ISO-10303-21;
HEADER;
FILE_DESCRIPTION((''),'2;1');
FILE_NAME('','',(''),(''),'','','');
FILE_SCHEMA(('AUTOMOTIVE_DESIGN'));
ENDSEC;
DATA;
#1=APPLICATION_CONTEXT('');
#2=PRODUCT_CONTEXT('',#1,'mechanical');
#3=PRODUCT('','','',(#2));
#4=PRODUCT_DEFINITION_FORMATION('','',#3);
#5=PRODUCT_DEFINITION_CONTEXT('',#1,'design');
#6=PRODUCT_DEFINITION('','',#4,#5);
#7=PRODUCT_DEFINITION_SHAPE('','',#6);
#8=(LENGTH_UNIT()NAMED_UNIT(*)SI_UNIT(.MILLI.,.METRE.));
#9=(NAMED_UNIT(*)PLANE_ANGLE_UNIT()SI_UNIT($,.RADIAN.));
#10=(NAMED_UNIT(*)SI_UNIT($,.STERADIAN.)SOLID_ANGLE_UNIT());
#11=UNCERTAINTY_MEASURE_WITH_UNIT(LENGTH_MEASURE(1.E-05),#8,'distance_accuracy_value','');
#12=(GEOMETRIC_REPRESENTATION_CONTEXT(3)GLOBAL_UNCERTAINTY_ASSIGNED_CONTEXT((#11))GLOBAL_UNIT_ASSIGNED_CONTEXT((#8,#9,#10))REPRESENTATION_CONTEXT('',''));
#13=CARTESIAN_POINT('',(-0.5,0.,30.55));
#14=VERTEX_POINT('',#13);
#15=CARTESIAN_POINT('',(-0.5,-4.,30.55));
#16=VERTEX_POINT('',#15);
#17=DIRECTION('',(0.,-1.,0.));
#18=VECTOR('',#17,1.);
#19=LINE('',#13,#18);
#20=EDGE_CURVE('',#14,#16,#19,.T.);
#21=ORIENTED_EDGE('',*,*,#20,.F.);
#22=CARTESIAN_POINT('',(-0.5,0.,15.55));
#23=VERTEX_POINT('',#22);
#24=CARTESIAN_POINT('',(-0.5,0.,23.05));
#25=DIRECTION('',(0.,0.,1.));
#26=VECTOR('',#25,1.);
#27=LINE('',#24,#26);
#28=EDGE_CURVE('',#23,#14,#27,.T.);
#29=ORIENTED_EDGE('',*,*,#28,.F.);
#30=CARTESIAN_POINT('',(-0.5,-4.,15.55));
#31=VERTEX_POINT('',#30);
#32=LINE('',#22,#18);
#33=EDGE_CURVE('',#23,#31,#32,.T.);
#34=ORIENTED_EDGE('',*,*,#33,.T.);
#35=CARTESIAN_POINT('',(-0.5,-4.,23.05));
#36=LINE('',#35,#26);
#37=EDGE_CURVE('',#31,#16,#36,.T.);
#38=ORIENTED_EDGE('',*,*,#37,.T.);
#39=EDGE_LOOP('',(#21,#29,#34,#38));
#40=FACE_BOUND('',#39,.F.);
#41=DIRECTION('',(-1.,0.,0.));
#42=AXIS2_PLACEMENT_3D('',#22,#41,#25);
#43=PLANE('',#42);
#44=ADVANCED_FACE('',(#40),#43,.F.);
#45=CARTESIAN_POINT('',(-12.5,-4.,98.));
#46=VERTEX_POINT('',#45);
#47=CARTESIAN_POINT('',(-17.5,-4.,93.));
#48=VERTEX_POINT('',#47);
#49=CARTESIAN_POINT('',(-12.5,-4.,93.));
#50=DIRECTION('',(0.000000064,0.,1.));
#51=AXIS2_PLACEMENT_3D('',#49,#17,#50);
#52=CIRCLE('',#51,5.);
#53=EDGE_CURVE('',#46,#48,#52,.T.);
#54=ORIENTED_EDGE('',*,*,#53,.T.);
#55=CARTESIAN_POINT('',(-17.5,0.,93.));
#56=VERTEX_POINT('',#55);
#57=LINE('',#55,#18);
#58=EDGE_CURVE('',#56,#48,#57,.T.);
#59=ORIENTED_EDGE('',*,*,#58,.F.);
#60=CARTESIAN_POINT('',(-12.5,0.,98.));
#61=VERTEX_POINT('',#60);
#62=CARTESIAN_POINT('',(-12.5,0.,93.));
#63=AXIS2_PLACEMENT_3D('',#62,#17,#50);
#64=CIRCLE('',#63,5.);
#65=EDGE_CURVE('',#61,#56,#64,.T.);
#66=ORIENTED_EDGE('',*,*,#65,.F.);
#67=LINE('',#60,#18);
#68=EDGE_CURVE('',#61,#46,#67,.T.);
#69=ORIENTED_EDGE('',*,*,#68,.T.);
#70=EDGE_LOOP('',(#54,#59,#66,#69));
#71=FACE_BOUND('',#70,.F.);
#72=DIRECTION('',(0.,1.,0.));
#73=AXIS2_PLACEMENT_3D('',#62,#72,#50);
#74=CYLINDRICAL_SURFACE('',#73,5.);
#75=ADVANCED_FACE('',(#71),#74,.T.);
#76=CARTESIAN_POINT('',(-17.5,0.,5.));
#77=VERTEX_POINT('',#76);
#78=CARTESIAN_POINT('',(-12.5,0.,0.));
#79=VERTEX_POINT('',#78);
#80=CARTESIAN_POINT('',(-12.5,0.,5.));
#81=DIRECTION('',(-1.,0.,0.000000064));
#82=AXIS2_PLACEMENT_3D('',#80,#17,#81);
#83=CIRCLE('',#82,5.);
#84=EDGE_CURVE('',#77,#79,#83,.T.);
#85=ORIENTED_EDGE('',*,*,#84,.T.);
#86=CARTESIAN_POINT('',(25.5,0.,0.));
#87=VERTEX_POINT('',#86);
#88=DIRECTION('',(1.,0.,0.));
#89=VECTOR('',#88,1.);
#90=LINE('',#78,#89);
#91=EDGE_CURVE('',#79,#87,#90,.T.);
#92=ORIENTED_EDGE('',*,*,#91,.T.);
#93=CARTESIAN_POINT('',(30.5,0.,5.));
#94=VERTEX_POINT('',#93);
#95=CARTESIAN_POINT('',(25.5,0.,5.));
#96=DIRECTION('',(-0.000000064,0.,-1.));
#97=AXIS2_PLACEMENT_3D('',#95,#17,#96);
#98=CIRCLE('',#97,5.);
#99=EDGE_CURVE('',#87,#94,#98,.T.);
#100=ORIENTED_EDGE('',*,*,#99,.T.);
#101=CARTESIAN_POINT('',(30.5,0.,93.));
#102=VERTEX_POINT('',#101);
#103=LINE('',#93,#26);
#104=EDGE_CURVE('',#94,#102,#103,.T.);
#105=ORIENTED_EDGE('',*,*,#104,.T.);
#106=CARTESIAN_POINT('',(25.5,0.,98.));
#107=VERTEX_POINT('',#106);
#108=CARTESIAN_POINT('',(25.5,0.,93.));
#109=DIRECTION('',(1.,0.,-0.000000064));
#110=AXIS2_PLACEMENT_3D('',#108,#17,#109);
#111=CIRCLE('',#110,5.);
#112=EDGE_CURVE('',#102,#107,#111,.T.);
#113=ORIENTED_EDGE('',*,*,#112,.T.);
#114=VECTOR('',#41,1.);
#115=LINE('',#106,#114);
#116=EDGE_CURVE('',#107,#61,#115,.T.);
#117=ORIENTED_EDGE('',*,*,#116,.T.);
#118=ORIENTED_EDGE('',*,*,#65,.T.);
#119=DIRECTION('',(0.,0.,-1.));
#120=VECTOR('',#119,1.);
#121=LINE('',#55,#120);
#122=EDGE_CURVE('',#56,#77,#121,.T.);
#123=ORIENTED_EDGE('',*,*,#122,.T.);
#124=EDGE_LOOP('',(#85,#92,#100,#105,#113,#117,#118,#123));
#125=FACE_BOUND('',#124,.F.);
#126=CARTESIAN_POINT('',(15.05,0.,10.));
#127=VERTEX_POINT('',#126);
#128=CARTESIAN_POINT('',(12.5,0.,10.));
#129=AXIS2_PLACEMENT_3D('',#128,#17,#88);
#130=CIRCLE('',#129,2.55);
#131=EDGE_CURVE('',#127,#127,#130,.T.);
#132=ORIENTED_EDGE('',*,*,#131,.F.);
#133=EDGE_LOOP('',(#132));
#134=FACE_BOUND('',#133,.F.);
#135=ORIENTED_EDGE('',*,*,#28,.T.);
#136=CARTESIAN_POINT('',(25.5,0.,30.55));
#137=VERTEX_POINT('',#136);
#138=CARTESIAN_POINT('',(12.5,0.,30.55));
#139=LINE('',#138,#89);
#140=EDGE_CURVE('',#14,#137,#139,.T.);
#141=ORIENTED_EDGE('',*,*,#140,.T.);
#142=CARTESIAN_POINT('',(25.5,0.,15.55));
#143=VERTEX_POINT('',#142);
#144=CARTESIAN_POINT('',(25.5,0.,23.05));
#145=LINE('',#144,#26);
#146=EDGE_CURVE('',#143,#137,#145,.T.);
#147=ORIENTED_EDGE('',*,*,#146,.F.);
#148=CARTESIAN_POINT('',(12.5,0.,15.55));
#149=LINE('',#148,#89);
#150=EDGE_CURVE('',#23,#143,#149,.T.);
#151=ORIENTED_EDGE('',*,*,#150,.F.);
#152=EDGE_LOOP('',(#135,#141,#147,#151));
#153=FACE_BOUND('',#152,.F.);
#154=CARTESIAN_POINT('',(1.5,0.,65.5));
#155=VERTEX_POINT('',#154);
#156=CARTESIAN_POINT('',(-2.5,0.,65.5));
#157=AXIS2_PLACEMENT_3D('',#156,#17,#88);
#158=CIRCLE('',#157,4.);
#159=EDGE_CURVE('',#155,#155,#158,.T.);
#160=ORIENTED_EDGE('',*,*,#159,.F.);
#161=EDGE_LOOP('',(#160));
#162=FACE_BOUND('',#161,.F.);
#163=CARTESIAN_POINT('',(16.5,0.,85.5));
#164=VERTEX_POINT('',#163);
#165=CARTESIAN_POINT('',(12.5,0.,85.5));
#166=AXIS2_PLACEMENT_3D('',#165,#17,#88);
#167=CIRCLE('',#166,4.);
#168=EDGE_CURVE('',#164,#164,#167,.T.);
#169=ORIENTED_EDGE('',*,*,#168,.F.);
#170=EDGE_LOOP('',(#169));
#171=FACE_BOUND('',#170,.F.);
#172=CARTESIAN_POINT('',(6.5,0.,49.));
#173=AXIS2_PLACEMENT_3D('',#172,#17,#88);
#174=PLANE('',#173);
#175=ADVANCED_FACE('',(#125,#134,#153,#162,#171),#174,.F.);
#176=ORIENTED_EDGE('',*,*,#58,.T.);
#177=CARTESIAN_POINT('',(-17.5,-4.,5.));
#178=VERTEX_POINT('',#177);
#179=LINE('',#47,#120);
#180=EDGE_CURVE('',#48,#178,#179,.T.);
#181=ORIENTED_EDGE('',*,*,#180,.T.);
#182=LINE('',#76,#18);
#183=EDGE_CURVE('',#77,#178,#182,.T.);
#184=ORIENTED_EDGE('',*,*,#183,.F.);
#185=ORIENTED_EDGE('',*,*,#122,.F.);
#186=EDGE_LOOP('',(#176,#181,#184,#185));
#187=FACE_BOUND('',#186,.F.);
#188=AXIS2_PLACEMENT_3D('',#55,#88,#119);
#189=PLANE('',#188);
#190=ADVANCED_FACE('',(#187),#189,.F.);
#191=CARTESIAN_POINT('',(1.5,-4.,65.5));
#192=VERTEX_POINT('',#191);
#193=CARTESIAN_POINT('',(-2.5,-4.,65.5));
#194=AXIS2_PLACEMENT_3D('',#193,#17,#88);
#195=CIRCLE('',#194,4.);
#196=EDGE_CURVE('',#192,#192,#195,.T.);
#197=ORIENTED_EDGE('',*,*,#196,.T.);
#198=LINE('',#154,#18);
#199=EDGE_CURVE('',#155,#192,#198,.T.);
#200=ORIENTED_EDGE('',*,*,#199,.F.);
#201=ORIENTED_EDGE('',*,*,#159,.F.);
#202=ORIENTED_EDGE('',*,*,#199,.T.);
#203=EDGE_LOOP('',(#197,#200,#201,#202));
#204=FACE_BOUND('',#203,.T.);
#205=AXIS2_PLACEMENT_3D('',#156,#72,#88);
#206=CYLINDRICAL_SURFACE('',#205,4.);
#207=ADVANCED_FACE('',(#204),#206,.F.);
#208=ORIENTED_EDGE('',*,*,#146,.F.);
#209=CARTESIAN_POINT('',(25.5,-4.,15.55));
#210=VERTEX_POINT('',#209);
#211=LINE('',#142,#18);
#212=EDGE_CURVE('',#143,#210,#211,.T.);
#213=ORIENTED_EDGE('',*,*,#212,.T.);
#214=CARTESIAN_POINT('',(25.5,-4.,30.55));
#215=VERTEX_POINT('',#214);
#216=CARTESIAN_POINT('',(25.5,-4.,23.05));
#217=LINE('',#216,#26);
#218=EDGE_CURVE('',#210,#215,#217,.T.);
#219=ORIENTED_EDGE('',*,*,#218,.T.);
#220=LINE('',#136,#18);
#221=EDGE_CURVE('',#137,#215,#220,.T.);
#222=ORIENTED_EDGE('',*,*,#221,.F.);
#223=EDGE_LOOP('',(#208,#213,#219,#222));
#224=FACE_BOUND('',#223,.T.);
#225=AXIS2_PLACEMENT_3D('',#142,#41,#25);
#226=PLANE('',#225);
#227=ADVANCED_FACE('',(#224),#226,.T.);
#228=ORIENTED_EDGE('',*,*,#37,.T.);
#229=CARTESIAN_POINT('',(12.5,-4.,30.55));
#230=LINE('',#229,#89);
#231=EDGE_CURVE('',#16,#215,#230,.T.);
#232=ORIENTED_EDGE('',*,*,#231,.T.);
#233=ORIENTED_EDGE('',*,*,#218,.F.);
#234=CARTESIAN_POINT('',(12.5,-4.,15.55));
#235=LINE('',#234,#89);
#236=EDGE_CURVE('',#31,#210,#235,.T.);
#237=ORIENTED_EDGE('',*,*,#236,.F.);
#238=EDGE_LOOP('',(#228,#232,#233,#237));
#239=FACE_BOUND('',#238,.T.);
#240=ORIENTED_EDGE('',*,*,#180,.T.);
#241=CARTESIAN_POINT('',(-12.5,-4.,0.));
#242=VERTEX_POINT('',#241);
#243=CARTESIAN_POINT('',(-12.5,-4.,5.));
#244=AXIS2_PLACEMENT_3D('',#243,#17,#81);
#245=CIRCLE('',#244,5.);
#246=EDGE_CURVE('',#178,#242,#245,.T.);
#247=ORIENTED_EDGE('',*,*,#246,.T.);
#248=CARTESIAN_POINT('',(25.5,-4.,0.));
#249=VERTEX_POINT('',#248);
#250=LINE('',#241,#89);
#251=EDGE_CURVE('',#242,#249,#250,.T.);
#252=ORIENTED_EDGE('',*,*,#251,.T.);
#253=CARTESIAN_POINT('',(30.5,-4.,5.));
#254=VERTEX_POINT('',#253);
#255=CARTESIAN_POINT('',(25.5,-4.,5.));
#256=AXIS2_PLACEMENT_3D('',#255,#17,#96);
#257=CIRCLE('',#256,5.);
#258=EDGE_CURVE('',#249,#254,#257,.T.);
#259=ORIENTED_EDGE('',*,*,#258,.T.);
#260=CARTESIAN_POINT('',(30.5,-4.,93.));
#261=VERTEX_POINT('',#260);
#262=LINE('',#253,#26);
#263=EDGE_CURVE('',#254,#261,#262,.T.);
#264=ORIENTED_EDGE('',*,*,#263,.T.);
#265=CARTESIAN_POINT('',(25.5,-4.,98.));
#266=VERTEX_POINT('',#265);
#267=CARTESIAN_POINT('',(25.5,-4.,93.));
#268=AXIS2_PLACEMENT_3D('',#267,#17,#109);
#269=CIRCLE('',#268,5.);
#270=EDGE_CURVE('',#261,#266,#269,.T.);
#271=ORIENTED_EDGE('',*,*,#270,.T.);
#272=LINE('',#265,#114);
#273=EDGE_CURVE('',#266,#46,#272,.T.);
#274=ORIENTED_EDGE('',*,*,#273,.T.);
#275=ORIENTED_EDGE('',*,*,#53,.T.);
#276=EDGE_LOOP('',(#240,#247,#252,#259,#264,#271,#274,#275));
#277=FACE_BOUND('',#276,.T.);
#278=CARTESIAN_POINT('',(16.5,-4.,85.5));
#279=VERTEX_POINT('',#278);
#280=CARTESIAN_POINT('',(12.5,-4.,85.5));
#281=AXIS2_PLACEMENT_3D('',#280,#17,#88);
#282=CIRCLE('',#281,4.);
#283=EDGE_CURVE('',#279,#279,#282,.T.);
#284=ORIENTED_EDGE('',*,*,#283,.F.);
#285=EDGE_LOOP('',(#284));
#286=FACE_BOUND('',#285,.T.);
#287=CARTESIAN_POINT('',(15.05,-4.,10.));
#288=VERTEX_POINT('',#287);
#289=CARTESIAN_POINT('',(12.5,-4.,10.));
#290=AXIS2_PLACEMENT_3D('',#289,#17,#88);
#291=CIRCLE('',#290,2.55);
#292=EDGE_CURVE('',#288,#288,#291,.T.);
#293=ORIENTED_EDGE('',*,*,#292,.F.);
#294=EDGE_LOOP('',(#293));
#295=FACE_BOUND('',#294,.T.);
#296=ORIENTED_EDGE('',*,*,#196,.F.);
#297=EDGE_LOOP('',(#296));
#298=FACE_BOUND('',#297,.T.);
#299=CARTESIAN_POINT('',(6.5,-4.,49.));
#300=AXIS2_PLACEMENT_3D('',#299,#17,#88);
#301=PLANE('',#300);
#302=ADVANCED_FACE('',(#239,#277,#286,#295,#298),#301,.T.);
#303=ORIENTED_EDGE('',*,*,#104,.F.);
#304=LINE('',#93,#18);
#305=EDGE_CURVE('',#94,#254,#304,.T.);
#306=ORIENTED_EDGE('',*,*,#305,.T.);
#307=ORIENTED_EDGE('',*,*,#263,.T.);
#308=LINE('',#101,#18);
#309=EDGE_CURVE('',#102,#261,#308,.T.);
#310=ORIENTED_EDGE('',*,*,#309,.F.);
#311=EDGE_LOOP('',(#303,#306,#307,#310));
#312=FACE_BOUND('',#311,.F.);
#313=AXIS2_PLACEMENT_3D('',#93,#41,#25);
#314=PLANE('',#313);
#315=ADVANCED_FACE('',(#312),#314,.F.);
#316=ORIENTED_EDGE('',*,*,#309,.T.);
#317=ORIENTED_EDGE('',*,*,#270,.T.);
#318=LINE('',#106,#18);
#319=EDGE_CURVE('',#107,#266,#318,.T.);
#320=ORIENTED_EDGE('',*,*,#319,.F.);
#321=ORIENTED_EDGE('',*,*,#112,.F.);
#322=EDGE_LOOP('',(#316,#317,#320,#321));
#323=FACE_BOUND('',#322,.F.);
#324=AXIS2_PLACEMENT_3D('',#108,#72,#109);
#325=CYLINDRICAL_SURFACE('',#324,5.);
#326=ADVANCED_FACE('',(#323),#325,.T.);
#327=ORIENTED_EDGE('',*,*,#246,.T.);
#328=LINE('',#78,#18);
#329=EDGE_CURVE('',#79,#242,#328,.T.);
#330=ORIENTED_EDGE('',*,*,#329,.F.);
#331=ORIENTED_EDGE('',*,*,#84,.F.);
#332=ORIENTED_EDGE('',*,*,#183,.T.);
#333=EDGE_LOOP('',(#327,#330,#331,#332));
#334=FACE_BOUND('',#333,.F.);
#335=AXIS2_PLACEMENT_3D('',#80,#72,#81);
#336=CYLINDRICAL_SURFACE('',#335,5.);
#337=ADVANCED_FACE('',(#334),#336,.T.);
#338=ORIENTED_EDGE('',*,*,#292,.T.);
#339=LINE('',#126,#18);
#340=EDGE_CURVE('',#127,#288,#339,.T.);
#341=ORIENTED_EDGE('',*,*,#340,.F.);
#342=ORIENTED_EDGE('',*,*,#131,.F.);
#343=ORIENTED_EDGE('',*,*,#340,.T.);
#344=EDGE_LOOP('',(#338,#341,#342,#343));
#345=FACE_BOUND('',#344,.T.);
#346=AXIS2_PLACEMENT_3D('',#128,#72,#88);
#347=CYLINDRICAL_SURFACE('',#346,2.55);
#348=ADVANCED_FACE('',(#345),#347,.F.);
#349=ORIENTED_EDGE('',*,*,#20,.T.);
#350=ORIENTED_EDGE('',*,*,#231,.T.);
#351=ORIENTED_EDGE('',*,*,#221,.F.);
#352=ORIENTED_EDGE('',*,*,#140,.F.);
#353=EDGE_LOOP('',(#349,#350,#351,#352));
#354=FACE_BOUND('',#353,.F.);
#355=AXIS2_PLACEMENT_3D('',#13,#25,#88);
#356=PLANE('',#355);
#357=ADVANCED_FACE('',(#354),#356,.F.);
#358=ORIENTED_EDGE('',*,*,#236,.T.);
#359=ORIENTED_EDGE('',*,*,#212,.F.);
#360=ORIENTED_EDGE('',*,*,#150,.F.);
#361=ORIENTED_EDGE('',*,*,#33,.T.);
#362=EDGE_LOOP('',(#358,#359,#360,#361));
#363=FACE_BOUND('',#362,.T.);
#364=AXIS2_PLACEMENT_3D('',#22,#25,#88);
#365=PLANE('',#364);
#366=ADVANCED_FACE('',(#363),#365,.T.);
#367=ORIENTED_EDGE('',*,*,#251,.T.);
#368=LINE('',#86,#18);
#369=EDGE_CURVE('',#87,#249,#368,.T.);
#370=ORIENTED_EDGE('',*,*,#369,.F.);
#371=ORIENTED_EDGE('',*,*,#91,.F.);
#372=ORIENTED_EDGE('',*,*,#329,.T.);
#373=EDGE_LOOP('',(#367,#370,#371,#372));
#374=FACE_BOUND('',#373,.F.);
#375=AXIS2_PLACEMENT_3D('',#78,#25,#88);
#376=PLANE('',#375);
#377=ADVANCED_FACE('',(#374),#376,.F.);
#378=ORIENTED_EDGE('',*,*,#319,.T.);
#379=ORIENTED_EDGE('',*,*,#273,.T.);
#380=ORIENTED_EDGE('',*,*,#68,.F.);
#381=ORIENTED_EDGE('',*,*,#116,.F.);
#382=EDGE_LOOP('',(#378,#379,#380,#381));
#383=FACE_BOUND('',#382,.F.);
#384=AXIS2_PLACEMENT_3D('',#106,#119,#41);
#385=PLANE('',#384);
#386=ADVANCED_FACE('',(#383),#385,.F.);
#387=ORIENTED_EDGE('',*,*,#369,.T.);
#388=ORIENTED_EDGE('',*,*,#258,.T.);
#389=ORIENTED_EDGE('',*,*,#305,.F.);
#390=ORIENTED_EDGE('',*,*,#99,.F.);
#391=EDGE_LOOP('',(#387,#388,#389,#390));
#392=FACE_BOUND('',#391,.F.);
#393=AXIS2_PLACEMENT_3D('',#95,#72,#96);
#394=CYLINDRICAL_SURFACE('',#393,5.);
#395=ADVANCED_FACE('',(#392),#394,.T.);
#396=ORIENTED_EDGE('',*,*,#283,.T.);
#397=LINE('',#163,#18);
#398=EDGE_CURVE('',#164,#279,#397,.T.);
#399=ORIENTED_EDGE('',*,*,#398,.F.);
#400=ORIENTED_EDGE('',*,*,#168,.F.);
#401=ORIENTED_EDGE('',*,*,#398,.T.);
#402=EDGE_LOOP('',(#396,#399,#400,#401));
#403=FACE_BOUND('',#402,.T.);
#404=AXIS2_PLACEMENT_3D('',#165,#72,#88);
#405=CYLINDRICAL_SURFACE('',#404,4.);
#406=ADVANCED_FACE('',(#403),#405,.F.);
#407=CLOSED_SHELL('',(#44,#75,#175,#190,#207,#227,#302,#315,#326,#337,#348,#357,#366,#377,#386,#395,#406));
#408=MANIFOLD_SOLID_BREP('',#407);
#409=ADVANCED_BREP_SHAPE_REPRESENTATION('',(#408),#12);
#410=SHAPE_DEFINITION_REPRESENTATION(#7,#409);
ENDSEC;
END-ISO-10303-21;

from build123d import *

# Parameters (mm, degrees)
F0_R     = 2.55
F0_W     = 26
F0_H     = 15
F0_R_2   = 4
F1_DEPTH = 4


with BuildPart() as f1:
    # F0 (on Front) → F1 (new body)
    with BuildSketch(Plane.XZ):
        with BuildLine():
            Line((-17.5, 93), (-17.5, 5))
            ThreePointArc((-17.5, 5), (-16.035534, 1.464466), (-12.5, 0))
            Line((-12.5, 0), (25.5, 0))
            ThreePointArc((25.5, 0), (29.035534, 1.464466), (30.5, 5))
            Line((30.5, 5), (30.5, 93))
            ThreePointArc((30.5, 93), (29.035534, 96.535534), (25.5, 98))
            Line((25.5, 98), (-12.5, 98))
            ThreePointArc((-12.5, 98), (-16.035534, 96.535534), (-17.5, 93))
        make_face()
        with Locations((12.5, 10)):
            Circle(F0_R, mode=Mode.SUBTRACT)
        with Locations((12.5, 23.05)):
            Rectangle(F0_W, F0_H, mode=Mode.SUBTRACT)
        with Locations((-2.5, 65.5)):
            Circle(F0_R_2, mode=Mode.SUBTRACT)
        with Locations((12.5, 85.5)):
            Circle(F0_R_2, mode=Mode.SUBTRACT)
    extrude(amount=F1_DEPTH)


solid = f1.part
